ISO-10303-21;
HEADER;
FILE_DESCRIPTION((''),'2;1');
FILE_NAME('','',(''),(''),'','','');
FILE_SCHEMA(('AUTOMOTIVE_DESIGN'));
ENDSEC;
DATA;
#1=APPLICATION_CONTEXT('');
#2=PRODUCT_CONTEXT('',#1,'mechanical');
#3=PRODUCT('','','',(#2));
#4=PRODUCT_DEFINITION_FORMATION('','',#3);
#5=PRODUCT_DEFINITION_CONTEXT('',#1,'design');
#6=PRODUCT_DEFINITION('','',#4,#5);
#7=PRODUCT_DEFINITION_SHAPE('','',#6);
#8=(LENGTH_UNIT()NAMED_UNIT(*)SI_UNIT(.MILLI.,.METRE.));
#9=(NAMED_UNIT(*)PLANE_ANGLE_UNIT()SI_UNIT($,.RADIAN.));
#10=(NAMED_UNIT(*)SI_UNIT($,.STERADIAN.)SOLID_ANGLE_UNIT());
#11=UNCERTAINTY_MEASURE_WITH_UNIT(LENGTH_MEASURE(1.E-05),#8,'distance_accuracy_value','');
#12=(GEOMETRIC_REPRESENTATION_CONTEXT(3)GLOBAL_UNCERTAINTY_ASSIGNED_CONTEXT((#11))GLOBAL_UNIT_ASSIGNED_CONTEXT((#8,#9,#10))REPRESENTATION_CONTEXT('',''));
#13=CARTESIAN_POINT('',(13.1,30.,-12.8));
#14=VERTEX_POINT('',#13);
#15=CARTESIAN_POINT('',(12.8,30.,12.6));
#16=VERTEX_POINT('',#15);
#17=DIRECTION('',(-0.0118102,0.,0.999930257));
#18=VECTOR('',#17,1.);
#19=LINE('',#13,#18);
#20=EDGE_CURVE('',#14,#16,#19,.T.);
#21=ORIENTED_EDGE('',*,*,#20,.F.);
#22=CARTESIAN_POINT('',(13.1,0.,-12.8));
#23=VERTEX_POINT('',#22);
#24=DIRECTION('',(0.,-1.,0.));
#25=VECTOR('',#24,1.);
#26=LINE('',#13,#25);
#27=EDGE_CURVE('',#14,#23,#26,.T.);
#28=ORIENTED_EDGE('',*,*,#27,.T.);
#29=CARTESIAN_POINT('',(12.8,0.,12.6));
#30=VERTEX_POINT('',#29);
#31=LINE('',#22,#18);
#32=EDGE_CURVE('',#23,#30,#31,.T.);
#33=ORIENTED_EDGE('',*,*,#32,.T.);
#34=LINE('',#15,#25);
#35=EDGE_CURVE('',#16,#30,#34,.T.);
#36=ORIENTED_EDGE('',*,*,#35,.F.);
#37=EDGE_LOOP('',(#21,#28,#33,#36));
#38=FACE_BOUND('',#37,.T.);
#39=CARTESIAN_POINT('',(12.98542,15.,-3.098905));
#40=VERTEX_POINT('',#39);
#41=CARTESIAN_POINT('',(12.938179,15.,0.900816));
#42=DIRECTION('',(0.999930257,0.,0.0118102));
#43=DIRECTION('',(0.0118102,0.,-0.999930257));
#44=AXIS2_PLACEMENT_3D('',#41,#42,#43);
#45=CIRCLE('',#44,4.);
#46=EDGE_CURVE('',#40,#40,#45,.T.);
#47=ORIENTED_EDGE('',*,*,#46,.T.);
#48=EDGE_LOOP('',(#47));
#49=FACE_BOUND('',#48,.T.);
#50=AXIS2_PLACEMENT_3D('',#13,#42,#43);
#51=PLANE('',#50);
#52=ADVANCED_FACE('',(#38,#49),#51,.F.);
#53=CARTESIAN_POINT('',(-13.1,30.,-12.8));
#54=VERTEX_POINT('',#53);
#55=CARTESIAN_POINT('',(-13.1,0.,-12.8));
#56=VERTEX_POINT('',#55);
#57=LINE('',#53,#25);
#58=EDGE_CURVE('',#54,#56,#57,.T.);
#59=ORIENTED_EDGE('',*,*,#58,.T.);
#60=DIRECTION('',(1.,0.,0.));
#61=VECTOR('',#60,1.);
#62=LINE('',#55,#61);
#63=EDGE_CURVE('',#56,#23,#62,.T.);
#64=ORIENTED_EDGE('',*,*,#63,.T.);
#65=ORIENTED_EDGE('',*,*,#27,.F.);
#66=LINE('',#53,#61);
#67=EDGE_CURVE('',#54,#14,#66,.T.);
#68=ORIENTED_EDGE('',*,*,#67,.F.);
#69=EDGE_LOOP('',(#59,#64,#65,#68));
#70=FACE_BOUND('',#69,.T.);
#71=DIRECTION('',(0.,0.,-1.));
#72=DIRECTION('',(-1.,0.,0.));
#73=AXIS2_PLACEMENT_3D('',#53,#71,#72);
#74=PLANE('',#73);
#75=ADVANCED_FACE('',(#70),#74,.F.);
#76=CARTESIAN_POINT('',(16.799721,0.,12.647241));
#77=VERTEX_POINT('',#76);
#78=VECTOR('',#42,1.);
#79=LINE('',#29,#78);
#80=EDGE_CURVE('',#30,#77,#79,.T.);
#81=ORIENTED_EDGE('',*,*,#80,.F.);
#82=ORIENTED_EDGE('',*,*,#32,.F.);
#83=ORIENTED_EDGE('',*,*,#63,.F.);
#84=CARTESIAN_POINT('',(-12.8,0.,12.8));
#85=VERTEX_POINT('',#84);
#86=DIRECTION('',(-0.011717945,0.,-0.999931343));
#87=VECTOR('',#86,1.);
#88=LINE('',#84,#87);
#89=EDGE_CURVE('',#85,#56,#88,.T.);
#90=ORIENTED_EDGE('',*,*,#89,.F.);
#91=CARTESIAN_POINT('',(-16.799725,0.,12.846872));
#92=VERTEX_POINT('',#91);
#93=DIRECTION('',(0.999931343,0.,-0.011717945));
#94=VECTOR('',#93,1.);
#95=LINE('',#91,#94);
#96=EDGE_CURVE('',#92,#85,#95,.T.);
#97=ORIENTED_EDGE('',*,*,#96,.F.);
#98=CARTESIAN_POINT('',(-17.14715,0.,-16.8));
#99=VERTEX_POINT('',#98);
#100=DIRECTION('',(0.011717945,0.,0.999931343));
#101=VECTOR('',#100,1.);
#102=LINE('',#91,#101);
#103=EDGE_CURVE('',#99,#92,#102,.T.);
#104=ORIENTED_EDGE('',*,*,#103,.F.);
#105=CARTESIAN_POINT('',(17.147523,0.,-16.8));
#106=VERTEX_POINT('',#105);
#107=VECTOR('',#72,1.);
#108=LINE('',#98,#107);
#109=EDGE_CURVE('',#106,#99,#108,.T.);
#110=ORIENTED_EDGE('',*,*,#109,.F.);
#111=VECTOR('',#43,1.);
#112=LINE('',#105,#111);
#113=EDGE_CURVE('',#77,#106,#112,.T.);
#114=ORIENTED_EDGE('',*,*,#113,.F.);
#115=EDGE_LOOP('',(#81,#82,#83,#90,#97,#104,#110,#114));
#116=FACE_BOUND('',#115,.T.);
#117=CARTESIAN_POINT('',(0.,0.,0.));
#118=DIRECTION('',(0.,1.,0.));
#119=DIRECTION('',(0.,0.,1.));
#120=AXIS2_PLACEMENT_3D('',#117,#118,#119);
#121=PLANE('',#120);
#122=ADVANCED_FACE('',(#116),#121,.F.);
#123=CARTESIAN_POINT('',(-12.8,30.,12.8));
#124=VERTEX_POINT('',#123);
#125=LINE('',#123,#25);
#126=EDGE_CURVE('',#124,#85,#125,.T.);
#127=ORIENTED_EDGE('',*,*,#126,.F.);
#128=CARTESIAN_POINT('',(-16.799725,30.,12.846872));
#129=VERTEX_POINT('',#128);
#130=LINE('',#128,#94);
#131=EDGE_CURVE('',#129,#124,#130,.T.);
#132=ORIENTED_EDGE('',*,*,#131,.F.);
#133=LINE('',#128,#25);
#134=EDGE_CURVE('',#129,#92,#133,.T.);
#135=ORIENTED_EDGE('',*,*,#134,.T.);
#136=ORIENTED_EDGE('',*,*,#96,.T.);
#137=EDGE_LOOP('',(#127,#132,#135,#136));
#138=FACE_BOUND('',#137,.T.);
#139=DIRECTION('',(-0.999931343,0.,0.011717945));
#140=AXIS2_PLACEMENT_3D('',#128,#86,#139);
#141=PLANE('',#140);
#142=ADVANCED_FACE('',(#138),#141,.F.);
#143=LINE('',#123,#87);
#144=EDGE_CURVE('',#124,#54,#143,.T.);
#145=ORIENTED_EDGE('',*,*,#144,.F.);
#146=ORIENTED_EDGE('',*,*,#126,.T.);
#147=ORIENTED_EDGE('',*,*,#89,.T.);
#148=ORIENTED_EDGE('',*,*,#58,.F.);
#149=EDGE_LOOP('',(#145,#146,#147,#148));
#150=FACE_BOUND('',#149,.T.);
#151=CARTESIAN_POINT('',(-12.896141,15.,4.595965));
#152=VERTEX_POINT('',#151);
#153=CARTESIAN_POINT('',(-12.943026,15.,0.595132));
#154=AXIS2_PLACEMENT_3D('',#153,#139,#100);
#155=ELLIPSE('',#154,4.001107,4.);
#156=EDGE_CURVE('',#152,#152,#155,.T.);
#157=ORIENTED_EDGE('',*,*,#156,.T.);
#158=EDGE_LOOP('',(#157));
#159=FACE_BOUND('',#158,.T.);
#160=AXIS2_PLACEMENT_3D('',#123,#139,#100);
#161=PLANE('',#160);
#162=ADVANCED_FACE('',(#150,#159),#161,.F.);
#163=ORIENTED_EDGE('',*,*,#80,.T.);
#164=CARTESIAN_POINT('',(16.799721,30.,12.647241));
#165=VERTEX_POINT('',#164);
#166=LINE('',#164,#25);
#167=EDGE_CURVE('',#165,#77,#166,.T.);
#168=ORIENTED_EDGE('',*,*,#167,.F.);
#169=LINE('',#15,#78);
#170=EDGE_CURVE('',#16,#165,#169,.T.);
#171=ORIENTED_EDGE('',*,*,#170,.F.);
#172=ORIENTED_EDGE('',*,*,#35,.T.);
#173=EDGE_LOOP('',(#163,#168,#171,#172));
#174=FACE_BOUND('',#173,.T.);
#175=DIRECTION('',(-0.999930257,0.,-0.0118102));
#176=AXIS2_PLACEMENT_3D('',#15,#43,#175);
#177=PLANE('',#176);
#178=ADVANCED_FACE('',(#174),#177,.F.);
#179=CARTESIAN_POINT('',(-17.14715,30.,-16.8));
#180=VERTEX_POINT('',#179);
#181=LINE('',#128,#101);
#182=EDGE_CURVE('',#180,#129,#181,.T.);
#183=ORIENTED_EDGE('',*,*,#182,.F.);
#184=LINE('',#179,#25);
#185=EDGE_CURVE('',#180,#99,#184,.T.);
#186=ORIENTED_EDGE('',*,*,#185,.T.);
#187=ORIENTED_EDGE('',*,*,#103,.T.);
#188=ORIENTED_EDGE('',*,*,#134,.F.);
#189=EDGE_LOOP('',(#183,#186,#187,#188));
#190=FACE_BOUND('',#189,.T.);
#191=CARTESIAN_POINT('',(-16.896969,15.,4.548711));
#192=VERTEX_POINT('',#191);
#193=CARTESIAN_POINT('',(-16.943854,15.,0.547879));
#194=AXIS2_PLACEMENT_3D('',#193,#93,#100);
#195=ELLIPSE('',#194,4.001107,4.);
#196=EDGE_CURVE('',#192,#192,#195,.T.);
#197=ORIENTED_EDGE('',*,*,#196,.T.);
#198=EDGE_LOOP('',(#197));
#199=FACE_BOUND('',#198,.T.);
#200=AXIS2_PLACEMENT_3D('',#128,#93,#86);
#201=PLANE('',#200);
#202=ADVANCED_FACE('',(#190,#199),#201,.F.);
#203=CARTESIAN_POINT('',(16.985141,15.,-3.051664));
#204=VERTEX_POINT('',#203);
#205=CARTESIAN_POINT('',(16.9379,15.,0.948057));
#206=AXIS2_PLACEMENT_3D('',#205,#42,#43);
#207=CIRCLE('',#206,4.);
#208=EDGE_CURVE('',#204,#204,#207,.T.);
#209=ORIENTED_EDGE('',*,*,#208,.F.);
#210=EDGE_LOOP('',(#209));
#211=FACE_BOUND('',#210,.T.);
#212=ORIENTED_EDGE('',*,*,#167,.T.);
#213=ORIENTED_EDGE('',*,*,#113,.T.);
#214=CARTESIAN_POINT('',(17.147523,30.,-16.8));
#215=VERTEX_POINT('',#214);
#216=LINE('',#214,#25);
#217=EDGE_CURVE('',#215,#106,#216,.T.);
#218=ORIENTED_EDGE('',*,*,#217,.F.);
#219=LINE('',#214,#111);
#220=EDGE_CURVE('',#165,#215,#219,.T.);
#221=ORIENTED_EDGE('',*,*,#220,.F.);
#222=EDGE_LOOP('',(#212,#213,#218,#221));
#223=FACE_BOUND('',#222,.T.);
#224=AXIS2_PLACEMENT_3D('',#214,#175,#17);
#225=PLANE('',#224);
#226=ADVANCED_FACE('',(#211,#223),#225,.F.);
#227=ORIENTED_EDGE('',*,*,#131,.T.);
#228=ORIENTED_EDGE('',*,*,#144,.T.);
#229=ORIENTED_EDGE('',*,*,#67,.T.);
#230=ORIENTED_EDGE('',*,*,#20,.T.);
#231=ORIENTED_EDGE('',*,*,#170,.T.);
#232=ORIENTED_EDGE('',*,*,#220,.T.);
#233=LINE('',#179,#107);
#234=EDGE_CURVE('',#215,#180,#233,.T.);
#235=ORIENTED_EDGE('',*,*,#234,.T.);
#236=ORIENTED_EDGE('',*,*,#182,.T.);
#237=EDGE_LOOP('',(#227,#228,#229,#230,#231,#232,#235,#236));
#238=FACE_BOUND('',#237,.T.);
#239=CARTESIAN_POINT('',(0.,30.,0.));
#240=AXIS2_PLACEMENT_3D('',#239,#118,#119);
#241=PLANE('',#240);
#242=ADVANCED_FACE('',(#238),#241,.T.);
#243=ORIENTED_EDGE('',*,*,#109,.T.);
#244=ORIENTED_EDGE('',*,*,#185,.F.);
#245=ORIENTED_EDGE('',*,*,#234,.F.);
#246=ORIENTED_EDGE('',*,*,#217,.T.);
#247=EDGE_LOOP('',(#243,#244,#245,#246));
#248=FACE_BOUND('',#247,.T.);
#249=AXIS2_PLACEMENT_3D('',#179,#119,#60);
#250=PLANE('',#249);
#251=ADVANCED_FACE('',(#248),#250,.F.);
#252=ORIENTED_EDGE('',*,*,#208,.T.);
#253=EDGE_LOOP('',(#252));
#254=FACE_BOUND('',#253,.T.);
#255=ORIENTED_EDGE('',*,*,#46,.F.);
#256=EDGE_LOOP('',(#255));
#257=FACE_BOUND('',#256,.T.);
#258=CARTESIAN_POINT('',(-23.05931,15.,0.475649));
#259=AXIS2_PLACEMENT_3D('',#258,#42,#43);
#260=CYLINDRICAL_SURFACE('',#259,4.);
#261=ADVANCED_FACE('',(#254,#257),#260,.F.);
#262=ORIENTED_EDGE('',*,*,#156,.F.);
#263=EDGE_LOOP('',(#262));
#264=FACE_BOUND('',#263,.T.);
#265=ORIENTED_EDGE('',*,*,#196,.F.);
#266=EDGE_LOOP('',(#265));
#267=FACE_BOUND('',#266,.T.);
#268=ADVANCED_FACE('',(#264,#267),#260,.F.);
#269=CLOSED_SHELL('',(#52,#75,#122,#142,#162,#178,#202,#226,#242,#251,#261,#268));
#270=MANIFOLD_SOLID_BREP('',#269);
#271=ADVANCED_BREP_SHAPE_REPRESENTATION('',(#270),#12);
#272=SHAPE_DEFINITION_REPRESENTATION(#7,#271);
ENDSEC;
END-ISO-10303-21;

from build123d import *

# Parameters (mm, degrees)
BOSS_EXTRUDE1_DEPTH      = 30
SKETCH3_R                = 4
CUT_EXTRUDE1_DEPTH       = 40
SKETCH4_W                = 3
SKETCH4_H                = 41
BOSS_EXTRUDE2_DEPTH      = 4
BOSS_EXTRUDE3_DEPTH      = 25
BOSS_EXTRUDE3_DEPTH_BACK = 4
SKETCH5_W                = 3
SKETCH5_H                = 7.75
BOSS_EXTRUDE4_REACH      = 69.734
SKETCH6_W                = 4
SKETCH6_H                = 56.5
CUT_EXTRUDE2_DEPTH       = 62


with BuildPart() as part:
    # Sketch1 → Boss-Extrude1 (new body)
    with BuildSketch(Plane(origin=(0, 0, 0), x_dir=(1, 0, 0), z_dir=(0, 1, 0))):
        Polygon((-12.8, -12.8), (-13.1, 12.8), (13.1, 12.8), (12.8, -12.6), (16.799721029, -12.6472408), (17.147523085, 16.8), (-17.147149649, 16.8), (-16.79972537, -12.846871782), align=None)
    extrude(amount=BOSS_EXTRUDE1_DEPTH)

    # Sketch3 → Cut-Extrude1 (cut)
    with BuildSketch(Plane(origin=(16.946733814, 0, 0.200158273), x_dir=(0.011810199887684227, 0, -0.9999302571572745), z_dir=(0.9999302571572745, 0, 0.011810199887684227))):
        with Locations(Location((-0.747950682, 15, 0), (0, 0, 180))):
            Circle(SKETCH3_R)
    extrude(amount=-CUT_EXTRUDE1_DEPTH, mode=Mode.SUBTRACT)

    # Sketch4 → Boss-Extrude2 (add)
    with BuildSketch(Plane(origin=(0, 0, -16.8), x_dir=(-1, 0, 0), z_dir=(0, 0, -1))):
        with Locations((12.499813282, 15)):
            Rectangle(SKETCH4_W, SKETCH4_H)
    extrude(amount=-BOSS_EXTRUDE2_DEPTH)

    # Sketch5 → Boss-Extrude3 (add, two sides: drawn at the far end of the back side and taken through both)
    with BuildSketch(Plane(origin=(0, 0, -16.8), x_dir=(-1, 0, 0), z_dir=(0, 0, -1)).offset(-BOSS_EXTRUDE3_DEPTH_BACK)):
        with Locations((12.499813282, 39.375)):
            Rectangle(SKETCH5_W, SKETCH5_H)
        with Locations((12.499813282, -9.375)):
            Rectangle(SKETCH5_W, SKETCH5_H)
    extrude(amount=BOSS_EXTRUDE3_DEPTH + BOSS_EXTRUDE3_DEPTH_BACK)

    # Boss-Extrude4: up to this plane
    boss_extrude4_end = Plane(origin=(-16.79972537, 30, 12.846871782), z_dir=(0.9999313425206403, 0, -0.01171794542016394))
    # Sketch6 → Boss-Extrude4 (add, up to the surface)
    with BuildSketch(Plane.ZY.offset(13.999813282), mode=Mode.PRIVATE) as boss_extrude4_sk1:
        with Locations((-14.8, 15)):
            Rectangle(SKETCH6_W, SKETCH6_H)
    boss_extrude4_tool1 = split(extrude(boss_extrude4_sk1.sketch, amount=BOSS_EXTRUDE4_REACH, mode=Mode.PRIVATE), bisect_by=boss_extrude4_end, keep=Keep.BOTH, mode=Mode.PRIVATE)
    add(boss_extrude4_tool1.solids().sort_by_distance((-13.999813, 15, -14.8))[0])

    # Sketch7 → Cut-Extrude2 (cut)
    with BuildSketch(Plane(origin=(-16.947947202, 0, 0.198608756), x_dir=(0.01171794542016394, 0, 0.9999313425206403), z_dir=(-0.9999313425206403, 0, 0.01171794542016394))):
        Polygon((12.649131483, 30), (-40.255802642, 30), (-53.566220107, 38.891145172), (-52.192714639, 50.02792354), (-13.80333558, 48.779139174), (23.506142402, 46.053591691), (14.671560105, 30), align=None)
        Polygon((12.649131483, 0), (-49.960950266, 0), (-43.210741963, -24.331655391), (11.653429031, -25.806337238), (35.291011187, -15.934393486), (29.689158759, -2.52120452), align=None)
    extrude(amount=-CUT_EXTRUDE2_DEPTH, mode=Mode.SUBTRACT)


solid = part.part
